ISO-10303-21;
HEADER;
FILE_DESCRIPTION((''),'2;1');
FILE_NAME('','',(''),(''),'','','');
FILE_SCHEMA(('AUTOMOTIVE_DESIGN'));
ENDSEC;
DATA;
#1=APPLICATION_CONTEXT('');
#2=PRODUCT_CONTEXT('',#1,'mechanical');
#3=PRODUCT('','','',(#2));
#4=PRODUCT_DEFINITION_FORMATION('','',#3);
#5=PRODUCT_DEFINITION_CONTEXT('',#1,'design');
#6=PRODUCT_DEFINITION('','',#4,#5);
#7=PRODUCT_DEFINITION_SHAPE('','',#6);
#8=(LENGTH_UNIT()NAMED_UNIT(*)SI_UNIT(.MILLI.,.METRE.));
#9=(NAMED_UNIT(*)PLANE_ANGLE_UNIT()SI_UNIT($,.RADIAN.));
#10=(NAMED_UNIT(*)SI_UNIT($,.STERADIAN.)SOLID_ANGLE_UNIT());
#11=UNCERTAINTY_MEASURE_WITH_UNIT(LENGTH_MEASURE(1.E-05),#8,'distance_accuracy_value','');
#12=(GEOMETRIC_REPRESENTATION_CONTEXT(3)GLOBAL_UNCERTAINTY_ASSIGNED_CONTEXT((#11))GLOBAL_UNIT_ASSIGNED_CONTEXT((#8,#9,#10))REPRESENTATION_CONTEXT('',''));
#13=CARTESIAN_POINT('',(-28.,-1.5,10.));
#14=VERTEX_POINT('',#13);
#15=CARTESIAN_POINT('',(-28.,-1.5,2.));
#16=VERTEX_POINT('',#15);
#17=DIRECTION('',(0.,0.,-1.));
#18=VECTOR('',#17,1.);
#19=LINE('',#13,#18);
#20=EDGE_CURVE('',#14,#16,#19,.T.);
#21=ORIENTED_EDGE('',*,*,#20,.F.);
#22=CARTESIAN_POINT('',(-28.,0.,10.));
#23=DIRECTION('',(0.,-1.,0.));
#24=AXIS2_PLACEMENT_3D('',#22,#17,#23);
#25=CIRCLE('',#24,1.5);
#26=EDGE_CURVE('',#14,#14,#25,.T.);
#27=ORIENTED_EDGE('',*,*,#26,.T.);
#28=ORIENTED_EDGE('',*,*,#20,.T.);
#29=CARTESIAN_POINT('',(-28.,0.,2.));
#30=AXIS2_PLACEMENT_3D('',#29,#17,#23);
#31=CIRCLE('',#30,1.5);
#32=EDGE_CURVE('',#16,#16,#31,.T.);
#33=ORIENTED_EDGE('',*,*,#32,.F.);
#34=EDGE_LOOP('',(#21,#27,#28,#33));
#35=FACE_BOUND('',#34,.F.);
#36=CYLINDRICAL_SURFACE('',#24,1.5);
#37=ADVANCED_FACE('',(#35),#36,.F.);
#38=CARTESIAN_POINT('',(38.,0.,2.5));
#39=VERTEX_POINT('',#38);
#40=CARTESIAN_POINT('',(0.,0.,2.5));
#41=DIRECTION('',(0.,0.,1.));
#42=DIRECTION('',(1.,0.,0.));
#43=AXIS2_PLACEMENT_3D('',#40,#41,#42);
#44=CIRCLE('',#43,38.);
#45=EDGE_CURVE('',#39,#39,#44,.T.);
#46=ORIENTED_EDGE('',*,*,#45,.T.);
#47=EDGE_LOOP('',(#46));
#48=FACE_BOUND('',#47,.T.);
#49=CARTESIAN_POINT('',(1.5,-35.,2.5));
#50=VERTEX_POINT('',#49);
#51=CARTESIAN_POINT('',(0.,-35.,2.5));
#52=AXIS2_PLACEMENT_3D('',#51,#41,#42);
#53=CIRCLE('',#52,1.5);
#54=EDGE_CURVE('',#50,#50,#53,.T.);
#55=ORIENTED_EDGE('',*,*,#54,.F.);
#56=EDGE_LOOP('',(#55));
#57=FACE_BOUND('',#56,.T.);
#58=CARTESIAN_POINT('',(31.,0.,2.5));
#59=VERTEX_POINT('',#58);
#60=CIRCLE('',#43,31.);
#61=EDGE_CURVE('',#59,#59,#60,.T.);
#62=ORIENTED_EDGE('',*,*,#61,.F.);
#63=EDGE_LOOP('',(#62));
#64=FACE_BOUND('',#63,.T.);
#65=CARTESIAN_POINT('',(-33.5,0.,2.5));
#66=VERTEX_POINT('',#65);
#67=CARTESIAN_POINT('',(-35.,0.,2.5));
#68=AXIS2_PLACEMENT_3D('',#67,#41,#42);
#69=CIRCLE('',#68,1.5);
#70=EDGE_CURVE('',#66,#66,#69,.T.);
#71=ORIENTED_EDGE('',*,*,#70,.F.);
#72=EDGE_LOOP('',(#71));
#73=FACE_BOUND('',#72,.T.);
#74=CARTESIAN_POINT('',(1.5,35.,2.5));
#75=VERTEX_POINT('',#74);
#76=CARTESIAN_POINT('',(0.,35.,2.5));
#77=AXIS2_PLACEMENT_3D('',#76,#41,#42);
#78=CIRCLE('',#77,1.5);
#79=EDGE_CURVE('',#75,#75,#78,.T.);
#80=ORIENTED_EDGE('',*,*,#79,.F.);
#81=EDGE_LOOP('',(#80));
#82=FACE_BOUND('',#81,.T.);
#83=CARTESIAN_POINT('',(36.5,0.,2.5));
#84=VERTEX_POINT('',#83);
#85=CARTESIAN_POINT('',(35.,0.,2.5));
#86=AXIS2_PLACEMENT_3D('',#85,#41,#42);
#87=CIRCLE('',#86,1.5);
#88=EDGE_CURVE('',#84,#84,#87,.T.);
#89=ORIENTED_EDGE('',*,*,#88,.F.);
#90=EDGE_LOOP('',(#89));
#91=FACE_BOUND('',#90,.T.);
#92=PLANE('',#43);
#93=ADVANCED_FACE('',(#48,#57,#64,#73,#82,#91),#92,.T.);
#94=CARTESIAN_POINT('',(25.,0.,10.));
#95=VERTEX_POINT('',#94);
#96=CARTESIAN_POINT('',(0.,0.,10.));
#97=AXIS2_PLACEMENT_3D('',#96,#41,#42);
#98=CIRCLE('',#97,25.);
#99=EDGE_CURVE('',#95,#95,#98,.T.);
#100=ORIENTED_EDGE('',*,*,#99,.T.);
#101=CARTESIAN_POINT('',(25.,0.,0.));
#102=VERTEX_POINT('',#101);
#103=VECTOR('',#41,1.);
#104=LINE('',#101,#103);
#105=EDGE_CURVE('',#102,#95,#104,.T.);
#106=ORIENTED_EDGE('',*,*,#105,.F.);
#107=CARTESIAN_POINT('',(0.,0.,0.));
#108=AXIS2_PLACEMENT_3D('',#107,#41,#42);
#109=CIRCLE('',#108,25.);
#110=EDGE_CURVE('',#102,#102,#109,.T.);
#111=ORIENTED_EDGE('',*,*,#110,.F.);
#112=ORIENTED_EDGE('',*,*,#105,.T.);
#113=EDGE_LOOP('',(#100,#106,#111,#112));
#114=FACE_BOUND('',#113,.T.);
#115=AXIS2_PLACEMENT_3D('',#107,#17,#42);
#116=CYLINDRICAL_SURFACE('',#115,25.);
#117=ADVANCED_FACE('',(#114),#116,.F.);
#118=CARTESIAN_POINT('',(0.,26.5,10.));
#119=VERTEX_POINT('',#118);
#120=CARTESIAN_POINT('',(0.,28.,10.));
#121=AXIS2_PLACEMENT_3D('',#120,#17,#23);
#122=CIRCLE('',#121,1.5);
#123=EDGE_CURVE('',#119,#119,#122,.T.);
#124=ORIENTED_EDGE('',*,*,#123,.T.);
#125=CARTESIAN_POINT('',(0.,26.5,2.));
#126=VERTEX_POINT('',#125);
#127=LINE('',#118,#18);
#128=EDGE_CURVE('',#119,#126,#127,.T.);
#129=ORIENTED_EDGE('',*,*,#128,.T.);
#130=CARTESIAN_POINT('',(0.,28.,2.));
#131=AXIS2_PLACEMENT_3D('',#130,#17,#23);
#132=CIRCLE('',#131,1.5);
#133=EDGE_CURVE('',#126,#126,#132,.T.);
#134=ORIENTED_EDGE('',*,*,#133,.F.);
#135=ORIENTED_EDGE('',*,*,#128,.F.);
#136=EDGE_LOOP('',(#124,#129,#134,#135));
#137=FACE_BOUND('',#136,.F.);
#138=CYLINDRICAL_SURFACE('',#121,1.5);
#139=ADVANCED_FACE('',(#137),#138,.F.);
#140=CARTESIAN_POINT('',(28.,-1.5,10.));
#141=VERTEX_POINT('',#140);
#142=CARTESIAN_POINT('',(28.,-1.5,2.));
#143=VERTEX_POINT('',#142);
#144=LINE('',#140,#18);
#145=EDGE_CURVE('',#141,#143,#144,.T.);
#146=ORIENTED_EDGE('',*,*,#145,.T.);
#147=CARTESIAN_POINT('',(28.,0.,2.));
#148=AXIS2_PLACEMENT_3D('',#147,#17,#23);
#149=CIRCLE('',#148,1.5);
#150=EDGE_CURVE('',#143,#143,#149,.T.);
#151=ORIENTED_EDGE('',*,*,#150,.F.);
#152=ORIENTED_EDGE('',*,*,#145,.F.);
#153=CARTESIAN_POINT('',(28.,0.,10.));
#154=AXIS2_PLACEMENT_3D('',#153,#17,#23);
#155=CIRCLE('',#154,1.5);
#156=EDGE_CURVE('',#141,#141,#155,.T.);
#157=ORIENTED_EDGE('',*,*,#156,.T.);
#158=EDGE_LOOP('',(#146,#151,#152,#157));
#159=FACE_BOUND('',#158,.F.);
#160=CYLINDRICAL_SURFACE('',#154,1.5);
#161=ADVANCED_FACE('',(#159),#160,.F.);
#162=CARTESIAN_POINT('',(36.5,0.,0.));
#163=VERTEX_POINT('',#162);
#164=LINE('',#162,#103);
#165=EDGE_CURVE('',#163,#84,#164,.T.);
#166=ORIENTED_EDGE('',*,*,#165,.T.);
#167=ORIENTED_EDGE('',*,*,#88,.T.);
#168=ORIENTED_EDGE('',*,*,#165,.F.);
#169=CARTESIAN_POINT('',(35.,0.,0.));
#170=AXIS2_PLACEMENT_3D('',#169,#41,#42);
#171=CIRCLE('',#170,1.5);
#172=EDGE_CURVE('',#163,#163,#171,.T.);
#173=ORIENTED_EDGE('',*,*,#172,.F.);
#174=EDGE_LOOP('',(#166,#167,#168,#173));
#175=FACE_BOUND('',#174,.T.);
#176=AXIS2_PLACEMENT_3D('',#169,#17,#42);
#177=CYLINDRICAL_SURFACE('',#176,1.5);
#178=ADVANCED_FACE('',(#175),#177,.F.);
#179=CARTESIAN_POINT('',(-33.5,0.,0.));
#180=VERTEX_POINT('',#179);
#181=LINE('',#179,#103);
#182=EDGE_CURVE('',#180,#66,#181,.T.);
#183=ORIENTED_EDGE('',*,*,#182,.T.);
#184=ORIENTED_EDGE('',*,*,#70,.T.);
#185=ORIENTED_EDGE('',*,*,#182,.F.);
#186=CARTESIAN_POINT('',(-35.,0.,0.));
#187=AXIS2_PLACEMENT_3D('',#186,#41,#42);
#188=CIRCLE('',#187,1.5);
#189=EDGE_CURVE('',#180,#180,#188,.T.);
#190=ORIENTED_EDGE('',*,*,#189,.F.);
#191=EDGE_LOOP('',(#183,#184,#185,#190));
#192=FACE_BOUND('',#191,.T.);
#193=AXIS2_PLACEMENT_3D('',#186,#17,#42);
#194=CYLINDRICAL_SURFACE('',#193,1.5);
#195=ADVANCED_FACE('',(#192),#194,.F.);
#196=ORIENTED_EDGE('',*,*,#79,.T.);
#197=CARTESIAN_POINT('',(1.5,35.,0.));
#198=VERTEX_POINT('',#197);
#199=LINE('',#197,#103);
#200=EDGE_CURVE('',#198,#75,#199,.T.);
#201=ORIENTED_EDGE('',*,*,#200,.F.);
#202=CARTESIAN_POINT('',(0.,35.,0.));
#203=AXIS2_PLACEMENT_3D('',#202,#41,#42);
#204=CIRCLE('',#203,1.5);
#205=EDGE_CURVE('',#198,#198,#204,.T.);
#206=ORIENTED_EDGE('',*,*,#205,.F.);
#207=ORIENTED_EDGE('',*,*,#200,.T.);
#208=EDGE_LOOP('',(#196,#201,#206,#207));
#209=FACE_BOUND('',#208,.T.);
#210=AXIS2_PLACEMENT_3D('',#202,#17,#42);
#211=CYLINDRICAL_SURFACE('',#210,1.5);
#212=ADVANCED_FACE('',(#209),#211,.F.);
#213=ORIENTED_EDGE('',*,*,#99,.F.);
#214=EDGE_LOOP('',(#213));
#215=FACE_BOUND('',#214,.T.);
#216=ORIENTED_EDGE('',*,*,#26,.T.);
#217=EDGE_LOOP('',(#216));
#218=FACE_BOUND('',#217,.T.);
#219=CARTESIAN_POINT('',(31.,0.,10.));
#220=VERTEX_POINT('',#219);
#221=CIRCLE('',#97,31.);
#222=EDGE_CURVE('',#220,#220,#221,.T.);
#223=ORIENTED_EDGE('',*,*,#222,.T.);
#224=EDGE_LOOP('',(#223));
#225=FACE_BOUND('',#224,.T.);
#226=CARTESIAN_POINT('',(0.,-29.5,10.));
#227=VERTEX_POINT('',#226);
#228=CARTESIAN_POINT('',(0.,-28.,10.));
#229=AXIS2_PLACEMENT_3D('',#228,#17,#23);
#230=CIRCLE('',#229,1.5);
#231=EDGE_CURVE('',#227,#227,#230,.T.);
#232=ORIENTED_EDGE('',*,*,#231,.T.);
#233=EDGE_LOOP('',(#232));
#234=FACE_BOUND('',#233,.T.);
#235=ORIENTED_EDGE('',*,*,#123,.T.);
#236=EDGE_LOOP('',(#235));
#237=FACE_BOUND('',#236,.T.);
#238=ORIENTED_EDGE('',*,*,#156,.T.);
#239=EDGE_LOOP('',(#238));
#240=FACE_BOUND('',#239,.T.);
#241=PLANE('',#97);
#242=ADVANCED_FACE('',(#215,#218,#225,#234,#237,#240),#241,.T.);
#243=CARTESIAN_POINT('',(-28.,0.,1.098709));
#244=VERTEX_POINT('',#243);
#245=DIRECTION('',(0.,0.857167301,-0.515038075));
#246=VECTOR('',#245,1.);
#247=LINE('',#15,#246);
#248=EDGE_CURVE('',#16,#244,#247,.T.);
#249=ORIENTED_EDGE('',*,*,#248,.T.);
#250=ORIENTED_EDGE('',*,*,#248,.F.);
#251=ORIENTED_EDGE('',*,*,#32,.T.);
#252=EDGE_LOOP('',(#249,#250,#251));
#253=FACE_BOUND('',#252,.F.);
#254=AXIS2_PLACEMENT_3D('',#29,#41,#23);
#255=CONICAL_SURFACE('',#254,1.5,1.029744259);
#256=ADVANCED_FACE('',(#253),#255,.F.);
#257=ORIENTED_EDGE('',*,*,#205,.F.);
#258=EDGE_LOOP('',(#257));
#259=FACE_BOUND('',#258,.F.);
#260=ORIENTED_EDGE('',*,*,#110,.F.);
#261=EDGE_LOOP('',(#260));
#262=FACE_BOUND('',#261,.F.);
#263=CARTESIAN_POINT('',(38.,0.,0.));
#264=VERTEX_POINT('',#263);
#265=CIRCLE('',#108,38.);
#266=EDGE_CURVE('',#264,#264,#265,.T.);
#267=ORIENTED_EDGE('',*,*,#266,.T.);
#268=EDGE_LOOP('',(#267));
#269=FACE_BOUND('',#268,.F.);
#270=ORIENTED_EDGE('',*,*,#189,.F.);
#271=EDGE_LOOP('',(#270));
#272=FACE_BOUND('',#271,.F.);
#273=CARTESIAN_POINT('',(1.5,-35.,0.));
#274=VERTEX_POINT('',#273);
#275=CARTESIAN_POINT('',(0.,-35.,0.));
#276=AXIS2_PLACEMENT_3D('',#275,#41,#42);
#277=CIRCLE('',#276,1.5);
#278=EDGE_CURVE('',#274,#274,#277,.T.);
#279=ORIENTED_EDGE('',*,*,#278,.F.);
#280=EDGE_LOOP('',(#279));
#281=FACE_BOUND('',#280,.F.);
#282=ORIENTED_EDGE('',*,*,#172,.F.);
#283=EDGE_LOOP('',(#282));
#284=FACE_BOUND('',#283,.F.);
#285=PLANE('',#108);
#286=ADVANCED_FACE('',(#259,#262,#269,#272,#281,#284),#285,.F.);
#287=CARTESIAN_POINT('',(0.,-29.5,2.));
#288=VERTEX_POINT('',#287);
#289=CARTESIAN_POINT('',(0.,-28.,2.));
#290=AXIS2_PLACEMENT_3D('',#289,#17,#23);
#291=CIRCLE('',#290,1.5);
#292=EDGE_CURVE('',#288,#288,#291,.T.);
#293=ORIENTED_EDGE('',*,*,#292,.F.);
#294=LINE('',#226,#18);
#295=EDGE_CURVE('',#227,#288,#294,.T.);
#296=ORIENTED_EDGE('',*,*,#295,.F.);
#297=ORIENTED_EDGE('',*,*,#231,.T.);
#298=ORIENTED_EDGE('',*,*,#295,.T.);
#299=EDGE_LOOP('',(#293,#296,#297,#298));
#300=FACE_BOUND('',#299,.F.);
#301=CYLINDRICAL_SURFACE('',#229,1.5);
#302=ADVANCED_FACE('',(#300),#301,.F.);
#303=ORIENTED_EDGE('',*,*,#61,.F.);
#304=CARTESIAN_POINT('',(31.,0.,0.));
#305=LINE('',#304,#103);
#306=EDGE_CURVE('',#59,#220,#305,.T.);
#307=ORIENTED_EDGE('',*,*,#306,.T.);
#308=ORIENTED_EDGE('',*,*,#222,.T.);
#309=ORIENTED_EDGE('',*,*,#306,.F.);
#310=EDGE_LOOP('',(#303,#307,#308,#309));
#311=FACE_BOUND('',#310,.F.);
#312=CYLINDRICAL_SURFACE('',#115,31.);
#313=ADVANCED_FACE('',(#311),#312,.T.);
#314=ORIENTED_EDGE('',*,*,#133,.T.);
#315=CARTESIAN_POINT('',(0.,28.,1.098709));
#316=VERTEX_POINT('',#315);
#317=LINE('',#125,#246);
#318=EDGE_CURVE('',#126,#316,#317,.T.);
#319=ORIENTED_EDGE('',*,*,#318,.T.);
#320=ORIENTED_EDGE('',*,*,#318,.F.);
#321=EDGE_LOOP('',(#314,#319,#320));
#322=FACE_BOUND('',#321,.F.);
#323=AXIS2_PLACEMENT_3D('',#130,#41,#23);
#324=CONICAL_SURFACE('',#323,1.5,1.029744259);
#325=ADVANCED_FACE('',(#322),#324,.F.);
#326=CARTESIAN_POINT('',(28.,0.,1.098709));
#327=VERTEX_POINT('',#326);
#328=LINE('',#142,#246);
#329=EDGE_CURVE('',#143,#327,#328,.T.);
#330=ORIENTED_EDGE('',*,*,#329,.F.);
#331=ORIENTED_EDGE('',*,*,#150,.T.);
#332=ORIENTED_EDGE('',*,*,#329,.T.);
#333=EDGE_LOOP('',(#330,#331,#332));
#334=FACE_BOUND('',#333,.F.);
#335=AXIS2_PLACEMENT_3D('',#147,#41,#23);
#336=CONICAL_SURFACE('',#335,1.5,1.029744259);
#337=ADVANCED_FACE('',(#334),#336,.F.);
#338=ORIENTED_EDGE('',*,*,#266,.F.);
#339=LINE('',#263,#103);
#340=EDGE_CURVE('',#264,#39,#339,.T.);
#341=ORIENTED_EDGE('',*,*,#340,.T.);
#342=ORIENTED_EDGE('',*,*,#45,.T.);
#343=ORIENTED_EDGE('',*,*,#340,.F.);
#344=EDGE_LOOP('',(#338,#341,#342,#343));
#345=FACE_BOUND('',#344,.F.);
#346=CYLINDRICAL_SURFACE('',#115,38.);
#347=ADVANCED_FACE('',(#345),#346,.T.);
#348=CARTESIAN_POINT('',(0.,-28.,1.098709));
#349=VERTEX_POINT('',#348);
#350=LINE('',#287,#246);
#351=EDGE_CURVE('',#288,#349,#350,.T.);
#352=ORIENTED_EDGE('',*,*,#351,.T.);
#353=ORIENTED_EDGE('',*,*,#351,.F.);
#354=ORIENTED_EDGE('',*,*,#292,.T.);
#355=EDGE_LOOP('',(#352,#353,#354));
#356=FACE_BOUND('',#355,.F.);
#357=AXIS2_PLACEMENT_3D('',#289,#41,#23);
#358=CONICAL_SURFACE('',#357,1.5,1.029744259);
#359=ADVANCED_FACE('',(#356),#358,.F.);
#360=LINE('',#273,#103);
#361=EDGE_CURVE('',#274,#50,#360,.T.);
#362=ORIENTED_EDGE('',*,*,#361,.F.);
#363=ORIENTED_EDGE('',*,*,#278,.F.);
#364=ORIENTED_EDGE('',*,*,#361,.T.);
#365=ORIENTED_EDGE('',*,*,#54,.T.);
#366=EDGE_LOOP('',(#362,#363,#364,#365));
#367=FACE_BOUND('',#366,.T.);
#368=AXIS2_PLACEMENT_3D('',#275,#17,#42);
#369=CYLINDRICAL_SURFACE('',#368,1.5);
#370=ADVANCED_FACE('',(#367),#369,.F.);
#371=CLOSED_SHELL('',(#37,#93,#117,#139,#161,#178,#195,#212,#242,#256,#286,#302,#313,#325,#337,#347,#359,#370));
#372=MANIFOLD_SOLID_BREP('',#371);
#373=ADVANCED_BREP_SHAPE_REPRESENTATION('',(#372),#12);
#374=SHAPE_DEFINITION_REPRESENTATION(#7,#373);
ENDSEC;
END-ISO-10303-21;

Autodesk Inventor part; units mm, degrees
ref_plane "YZ Plane" through (0, 0, 0) normal (1, 0, 0) x (0, 1, 0)
ref_plane "XZ Plane" through (0, 0, 0) normal (0, 1, 0) x (-1, 0, 0)
ref_plane "XY Plane" through (0, 0, 0) normal (0, 0, 1) x (1, 0, 0)
sketch "스케치1" plane through (0, 0, 0) normal (0, 0, 1) x (1, 0, 0)
  circle A0 centre (0, 0) radius 25
  circle A1 centre (-35, 0) radius 1.5
  circle A2 centre (0, 0) radius 31
  circle A3 centre (0, 0) radius 38
  circle A4 centre (0, -35) radius 1.5
  circle A5 centre (35, 0) radius 1.5
  circle A6 centre (0, 35) radius 1.5
  dimension "d0" = 50
  dimension "d2" = 3
  dimension "d4" = 6
  dimension "d27" = 1.5
  dimension "d28" = 35
  dimension "d31" = 360
extrude "돌출1" add sketch "스케치1" along normal blind 2.5 contours A3
extrude "돌출2" add sketch "스케치1" along normal blind 10 contours A2
sketch "스케치2" plane through (0, 0, 10) normal (0, 0, 1) x (1, 0, 0)
  circle A0 centre (0, 0) radius 25 projected
  circle A1 centre (0, 0) radius 31 projected
  line L0 (-1.611, 31) -> (1.611, 31)
  point P0 (0, 28)
  point P1 (0, 31)
  point P2 (-28, 0)
  point P3 (0, -28)
  point P4 (28, 0)
  dimension "d14" = 6
  dimension "d15" = 3
  dimension "d18" = 360
hole "구멍1" at (0, 28, 10) at (-28, 0, 10) at (0, -28, 10) at (28, 0, 10) direction (0, 0, -1) diameter 3 depth 8 tip angle 118
equation "\"d15\" = 0.5 * d14"
properties part number "ModuleConnector"
